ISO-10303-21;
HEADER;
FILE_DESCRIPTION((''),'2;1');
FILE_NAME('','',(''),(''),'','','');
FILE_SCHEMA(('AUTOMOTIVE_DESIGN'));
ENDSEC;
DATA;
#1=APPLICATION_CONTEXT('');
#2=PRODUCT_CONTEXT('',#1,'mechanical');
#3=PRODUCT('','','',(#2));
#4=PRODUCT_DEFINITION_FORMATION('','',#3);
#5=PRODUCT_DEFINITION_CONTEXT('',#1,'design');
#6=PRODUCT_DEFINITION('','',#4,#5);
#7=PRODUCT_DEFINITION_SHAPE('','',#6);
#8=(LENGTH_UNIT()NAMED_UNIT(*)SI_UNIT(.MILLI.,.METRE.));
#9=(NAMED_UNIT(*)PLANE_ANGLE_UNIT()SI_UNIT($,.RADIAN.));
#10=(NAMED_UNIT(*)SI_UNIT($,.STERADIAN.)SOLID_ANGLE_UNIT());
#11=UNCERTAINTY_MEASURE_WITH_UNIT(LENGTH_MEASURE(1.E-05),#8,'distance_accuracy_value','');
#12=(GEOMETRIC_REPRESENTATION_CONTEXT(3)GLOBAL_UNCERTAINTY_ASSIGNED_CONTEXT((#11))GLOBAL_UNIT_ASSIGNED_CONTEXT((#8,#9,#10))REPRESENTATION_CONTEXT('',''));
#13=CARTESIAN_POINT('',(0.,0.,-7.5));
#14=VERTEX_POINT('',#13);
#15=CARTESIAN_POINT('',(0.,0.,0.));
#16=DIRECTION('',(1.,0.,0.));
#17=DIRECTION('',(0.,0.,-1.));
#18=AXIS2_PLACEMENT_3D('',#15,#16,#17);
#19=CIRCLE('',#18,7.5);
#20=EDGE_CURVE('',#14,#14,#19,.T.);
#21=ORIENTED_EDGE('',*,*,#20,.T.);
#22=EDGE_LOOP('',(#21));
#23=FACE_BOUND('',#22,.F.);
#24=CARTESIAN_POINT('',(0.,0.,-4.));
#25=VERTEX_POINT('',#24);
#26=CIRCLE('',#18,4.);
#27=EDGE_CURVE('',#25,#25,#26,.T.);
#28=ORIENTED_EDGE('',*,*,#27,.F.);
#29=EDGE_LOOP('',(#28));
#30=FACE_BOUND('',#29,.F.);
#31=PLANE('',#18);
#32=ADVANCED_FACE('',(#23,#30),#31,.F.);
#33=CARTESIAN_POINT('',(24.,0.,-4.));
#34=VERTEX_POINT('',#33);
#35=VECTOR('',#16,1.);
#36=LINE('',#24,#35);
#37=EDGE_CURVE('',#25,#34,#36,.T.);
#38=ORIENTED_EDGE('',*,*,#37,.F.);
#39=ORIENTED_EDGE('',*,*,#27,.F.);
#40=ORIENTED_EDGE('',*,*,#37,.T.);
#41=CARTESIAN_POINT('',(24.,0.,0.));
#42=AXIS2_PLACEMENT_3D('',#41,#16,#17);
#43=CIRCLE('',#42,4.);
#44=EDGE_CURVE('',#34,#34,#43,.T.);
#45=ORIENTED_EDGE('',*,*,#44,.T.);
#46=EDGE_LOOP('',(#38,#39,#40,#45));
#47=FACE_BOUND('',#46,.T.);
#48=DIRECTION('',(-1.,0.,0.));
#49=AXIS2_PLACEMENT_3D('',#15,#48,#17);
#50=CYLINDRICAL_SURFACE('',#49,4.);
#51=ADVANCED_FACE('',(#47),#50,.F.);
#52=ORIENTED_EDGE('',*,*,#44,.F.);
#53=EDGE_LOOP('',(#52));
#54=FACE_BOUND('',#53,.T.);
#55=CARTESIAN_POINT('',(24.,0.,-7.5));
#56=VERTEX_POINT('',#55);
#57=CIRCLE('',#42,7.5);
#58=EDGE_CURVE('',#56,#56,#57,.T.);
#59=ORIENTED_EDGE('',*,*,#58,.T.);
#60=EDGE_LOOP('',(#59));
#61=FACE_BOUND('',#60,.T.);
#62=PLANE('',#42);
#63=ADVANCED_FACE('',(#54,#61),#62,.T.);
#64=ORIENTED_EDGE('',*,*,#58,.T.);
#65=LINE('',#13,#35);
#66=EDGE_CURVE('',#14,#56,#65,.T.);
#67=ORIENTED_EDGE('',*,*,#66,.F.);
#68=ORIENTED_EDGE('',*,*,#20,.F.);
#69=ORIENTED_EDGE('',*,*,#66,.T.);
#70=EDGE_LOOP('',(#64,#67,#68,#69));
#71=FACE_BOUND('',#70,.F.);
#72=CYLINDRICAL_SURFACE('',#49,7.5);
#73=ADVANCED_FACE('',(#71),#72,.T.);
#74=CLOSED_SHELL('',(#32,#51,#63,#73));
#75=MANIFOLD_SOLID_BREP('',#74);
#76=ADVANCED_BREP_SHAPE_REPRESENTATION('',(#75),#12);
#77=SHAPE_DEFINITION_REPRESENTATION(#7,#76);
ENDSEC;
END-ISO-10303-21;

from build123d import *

# Parameters (mm, degrees)
SKETCH_1_R      = 7.5
SKETCH_1_R_2    = 4
EXTRUDE_1_DEPTH = 24


with BuildPart() as part:
    # 草图1 → 凸台-拉伸1 (new body)
    with BuildSketch(Plane(origin=(0, 0, 0), x_dir=(0, 0, -1), z_dir=(1, 0, 0))):
        Circle(SKETCH_1_R)
        Circle(SKETCH_1_R_2, mode=Mode.SUBTRACT)
    extrude(amount=EXTRUDE_1_DEPTH)


solid = part.part
